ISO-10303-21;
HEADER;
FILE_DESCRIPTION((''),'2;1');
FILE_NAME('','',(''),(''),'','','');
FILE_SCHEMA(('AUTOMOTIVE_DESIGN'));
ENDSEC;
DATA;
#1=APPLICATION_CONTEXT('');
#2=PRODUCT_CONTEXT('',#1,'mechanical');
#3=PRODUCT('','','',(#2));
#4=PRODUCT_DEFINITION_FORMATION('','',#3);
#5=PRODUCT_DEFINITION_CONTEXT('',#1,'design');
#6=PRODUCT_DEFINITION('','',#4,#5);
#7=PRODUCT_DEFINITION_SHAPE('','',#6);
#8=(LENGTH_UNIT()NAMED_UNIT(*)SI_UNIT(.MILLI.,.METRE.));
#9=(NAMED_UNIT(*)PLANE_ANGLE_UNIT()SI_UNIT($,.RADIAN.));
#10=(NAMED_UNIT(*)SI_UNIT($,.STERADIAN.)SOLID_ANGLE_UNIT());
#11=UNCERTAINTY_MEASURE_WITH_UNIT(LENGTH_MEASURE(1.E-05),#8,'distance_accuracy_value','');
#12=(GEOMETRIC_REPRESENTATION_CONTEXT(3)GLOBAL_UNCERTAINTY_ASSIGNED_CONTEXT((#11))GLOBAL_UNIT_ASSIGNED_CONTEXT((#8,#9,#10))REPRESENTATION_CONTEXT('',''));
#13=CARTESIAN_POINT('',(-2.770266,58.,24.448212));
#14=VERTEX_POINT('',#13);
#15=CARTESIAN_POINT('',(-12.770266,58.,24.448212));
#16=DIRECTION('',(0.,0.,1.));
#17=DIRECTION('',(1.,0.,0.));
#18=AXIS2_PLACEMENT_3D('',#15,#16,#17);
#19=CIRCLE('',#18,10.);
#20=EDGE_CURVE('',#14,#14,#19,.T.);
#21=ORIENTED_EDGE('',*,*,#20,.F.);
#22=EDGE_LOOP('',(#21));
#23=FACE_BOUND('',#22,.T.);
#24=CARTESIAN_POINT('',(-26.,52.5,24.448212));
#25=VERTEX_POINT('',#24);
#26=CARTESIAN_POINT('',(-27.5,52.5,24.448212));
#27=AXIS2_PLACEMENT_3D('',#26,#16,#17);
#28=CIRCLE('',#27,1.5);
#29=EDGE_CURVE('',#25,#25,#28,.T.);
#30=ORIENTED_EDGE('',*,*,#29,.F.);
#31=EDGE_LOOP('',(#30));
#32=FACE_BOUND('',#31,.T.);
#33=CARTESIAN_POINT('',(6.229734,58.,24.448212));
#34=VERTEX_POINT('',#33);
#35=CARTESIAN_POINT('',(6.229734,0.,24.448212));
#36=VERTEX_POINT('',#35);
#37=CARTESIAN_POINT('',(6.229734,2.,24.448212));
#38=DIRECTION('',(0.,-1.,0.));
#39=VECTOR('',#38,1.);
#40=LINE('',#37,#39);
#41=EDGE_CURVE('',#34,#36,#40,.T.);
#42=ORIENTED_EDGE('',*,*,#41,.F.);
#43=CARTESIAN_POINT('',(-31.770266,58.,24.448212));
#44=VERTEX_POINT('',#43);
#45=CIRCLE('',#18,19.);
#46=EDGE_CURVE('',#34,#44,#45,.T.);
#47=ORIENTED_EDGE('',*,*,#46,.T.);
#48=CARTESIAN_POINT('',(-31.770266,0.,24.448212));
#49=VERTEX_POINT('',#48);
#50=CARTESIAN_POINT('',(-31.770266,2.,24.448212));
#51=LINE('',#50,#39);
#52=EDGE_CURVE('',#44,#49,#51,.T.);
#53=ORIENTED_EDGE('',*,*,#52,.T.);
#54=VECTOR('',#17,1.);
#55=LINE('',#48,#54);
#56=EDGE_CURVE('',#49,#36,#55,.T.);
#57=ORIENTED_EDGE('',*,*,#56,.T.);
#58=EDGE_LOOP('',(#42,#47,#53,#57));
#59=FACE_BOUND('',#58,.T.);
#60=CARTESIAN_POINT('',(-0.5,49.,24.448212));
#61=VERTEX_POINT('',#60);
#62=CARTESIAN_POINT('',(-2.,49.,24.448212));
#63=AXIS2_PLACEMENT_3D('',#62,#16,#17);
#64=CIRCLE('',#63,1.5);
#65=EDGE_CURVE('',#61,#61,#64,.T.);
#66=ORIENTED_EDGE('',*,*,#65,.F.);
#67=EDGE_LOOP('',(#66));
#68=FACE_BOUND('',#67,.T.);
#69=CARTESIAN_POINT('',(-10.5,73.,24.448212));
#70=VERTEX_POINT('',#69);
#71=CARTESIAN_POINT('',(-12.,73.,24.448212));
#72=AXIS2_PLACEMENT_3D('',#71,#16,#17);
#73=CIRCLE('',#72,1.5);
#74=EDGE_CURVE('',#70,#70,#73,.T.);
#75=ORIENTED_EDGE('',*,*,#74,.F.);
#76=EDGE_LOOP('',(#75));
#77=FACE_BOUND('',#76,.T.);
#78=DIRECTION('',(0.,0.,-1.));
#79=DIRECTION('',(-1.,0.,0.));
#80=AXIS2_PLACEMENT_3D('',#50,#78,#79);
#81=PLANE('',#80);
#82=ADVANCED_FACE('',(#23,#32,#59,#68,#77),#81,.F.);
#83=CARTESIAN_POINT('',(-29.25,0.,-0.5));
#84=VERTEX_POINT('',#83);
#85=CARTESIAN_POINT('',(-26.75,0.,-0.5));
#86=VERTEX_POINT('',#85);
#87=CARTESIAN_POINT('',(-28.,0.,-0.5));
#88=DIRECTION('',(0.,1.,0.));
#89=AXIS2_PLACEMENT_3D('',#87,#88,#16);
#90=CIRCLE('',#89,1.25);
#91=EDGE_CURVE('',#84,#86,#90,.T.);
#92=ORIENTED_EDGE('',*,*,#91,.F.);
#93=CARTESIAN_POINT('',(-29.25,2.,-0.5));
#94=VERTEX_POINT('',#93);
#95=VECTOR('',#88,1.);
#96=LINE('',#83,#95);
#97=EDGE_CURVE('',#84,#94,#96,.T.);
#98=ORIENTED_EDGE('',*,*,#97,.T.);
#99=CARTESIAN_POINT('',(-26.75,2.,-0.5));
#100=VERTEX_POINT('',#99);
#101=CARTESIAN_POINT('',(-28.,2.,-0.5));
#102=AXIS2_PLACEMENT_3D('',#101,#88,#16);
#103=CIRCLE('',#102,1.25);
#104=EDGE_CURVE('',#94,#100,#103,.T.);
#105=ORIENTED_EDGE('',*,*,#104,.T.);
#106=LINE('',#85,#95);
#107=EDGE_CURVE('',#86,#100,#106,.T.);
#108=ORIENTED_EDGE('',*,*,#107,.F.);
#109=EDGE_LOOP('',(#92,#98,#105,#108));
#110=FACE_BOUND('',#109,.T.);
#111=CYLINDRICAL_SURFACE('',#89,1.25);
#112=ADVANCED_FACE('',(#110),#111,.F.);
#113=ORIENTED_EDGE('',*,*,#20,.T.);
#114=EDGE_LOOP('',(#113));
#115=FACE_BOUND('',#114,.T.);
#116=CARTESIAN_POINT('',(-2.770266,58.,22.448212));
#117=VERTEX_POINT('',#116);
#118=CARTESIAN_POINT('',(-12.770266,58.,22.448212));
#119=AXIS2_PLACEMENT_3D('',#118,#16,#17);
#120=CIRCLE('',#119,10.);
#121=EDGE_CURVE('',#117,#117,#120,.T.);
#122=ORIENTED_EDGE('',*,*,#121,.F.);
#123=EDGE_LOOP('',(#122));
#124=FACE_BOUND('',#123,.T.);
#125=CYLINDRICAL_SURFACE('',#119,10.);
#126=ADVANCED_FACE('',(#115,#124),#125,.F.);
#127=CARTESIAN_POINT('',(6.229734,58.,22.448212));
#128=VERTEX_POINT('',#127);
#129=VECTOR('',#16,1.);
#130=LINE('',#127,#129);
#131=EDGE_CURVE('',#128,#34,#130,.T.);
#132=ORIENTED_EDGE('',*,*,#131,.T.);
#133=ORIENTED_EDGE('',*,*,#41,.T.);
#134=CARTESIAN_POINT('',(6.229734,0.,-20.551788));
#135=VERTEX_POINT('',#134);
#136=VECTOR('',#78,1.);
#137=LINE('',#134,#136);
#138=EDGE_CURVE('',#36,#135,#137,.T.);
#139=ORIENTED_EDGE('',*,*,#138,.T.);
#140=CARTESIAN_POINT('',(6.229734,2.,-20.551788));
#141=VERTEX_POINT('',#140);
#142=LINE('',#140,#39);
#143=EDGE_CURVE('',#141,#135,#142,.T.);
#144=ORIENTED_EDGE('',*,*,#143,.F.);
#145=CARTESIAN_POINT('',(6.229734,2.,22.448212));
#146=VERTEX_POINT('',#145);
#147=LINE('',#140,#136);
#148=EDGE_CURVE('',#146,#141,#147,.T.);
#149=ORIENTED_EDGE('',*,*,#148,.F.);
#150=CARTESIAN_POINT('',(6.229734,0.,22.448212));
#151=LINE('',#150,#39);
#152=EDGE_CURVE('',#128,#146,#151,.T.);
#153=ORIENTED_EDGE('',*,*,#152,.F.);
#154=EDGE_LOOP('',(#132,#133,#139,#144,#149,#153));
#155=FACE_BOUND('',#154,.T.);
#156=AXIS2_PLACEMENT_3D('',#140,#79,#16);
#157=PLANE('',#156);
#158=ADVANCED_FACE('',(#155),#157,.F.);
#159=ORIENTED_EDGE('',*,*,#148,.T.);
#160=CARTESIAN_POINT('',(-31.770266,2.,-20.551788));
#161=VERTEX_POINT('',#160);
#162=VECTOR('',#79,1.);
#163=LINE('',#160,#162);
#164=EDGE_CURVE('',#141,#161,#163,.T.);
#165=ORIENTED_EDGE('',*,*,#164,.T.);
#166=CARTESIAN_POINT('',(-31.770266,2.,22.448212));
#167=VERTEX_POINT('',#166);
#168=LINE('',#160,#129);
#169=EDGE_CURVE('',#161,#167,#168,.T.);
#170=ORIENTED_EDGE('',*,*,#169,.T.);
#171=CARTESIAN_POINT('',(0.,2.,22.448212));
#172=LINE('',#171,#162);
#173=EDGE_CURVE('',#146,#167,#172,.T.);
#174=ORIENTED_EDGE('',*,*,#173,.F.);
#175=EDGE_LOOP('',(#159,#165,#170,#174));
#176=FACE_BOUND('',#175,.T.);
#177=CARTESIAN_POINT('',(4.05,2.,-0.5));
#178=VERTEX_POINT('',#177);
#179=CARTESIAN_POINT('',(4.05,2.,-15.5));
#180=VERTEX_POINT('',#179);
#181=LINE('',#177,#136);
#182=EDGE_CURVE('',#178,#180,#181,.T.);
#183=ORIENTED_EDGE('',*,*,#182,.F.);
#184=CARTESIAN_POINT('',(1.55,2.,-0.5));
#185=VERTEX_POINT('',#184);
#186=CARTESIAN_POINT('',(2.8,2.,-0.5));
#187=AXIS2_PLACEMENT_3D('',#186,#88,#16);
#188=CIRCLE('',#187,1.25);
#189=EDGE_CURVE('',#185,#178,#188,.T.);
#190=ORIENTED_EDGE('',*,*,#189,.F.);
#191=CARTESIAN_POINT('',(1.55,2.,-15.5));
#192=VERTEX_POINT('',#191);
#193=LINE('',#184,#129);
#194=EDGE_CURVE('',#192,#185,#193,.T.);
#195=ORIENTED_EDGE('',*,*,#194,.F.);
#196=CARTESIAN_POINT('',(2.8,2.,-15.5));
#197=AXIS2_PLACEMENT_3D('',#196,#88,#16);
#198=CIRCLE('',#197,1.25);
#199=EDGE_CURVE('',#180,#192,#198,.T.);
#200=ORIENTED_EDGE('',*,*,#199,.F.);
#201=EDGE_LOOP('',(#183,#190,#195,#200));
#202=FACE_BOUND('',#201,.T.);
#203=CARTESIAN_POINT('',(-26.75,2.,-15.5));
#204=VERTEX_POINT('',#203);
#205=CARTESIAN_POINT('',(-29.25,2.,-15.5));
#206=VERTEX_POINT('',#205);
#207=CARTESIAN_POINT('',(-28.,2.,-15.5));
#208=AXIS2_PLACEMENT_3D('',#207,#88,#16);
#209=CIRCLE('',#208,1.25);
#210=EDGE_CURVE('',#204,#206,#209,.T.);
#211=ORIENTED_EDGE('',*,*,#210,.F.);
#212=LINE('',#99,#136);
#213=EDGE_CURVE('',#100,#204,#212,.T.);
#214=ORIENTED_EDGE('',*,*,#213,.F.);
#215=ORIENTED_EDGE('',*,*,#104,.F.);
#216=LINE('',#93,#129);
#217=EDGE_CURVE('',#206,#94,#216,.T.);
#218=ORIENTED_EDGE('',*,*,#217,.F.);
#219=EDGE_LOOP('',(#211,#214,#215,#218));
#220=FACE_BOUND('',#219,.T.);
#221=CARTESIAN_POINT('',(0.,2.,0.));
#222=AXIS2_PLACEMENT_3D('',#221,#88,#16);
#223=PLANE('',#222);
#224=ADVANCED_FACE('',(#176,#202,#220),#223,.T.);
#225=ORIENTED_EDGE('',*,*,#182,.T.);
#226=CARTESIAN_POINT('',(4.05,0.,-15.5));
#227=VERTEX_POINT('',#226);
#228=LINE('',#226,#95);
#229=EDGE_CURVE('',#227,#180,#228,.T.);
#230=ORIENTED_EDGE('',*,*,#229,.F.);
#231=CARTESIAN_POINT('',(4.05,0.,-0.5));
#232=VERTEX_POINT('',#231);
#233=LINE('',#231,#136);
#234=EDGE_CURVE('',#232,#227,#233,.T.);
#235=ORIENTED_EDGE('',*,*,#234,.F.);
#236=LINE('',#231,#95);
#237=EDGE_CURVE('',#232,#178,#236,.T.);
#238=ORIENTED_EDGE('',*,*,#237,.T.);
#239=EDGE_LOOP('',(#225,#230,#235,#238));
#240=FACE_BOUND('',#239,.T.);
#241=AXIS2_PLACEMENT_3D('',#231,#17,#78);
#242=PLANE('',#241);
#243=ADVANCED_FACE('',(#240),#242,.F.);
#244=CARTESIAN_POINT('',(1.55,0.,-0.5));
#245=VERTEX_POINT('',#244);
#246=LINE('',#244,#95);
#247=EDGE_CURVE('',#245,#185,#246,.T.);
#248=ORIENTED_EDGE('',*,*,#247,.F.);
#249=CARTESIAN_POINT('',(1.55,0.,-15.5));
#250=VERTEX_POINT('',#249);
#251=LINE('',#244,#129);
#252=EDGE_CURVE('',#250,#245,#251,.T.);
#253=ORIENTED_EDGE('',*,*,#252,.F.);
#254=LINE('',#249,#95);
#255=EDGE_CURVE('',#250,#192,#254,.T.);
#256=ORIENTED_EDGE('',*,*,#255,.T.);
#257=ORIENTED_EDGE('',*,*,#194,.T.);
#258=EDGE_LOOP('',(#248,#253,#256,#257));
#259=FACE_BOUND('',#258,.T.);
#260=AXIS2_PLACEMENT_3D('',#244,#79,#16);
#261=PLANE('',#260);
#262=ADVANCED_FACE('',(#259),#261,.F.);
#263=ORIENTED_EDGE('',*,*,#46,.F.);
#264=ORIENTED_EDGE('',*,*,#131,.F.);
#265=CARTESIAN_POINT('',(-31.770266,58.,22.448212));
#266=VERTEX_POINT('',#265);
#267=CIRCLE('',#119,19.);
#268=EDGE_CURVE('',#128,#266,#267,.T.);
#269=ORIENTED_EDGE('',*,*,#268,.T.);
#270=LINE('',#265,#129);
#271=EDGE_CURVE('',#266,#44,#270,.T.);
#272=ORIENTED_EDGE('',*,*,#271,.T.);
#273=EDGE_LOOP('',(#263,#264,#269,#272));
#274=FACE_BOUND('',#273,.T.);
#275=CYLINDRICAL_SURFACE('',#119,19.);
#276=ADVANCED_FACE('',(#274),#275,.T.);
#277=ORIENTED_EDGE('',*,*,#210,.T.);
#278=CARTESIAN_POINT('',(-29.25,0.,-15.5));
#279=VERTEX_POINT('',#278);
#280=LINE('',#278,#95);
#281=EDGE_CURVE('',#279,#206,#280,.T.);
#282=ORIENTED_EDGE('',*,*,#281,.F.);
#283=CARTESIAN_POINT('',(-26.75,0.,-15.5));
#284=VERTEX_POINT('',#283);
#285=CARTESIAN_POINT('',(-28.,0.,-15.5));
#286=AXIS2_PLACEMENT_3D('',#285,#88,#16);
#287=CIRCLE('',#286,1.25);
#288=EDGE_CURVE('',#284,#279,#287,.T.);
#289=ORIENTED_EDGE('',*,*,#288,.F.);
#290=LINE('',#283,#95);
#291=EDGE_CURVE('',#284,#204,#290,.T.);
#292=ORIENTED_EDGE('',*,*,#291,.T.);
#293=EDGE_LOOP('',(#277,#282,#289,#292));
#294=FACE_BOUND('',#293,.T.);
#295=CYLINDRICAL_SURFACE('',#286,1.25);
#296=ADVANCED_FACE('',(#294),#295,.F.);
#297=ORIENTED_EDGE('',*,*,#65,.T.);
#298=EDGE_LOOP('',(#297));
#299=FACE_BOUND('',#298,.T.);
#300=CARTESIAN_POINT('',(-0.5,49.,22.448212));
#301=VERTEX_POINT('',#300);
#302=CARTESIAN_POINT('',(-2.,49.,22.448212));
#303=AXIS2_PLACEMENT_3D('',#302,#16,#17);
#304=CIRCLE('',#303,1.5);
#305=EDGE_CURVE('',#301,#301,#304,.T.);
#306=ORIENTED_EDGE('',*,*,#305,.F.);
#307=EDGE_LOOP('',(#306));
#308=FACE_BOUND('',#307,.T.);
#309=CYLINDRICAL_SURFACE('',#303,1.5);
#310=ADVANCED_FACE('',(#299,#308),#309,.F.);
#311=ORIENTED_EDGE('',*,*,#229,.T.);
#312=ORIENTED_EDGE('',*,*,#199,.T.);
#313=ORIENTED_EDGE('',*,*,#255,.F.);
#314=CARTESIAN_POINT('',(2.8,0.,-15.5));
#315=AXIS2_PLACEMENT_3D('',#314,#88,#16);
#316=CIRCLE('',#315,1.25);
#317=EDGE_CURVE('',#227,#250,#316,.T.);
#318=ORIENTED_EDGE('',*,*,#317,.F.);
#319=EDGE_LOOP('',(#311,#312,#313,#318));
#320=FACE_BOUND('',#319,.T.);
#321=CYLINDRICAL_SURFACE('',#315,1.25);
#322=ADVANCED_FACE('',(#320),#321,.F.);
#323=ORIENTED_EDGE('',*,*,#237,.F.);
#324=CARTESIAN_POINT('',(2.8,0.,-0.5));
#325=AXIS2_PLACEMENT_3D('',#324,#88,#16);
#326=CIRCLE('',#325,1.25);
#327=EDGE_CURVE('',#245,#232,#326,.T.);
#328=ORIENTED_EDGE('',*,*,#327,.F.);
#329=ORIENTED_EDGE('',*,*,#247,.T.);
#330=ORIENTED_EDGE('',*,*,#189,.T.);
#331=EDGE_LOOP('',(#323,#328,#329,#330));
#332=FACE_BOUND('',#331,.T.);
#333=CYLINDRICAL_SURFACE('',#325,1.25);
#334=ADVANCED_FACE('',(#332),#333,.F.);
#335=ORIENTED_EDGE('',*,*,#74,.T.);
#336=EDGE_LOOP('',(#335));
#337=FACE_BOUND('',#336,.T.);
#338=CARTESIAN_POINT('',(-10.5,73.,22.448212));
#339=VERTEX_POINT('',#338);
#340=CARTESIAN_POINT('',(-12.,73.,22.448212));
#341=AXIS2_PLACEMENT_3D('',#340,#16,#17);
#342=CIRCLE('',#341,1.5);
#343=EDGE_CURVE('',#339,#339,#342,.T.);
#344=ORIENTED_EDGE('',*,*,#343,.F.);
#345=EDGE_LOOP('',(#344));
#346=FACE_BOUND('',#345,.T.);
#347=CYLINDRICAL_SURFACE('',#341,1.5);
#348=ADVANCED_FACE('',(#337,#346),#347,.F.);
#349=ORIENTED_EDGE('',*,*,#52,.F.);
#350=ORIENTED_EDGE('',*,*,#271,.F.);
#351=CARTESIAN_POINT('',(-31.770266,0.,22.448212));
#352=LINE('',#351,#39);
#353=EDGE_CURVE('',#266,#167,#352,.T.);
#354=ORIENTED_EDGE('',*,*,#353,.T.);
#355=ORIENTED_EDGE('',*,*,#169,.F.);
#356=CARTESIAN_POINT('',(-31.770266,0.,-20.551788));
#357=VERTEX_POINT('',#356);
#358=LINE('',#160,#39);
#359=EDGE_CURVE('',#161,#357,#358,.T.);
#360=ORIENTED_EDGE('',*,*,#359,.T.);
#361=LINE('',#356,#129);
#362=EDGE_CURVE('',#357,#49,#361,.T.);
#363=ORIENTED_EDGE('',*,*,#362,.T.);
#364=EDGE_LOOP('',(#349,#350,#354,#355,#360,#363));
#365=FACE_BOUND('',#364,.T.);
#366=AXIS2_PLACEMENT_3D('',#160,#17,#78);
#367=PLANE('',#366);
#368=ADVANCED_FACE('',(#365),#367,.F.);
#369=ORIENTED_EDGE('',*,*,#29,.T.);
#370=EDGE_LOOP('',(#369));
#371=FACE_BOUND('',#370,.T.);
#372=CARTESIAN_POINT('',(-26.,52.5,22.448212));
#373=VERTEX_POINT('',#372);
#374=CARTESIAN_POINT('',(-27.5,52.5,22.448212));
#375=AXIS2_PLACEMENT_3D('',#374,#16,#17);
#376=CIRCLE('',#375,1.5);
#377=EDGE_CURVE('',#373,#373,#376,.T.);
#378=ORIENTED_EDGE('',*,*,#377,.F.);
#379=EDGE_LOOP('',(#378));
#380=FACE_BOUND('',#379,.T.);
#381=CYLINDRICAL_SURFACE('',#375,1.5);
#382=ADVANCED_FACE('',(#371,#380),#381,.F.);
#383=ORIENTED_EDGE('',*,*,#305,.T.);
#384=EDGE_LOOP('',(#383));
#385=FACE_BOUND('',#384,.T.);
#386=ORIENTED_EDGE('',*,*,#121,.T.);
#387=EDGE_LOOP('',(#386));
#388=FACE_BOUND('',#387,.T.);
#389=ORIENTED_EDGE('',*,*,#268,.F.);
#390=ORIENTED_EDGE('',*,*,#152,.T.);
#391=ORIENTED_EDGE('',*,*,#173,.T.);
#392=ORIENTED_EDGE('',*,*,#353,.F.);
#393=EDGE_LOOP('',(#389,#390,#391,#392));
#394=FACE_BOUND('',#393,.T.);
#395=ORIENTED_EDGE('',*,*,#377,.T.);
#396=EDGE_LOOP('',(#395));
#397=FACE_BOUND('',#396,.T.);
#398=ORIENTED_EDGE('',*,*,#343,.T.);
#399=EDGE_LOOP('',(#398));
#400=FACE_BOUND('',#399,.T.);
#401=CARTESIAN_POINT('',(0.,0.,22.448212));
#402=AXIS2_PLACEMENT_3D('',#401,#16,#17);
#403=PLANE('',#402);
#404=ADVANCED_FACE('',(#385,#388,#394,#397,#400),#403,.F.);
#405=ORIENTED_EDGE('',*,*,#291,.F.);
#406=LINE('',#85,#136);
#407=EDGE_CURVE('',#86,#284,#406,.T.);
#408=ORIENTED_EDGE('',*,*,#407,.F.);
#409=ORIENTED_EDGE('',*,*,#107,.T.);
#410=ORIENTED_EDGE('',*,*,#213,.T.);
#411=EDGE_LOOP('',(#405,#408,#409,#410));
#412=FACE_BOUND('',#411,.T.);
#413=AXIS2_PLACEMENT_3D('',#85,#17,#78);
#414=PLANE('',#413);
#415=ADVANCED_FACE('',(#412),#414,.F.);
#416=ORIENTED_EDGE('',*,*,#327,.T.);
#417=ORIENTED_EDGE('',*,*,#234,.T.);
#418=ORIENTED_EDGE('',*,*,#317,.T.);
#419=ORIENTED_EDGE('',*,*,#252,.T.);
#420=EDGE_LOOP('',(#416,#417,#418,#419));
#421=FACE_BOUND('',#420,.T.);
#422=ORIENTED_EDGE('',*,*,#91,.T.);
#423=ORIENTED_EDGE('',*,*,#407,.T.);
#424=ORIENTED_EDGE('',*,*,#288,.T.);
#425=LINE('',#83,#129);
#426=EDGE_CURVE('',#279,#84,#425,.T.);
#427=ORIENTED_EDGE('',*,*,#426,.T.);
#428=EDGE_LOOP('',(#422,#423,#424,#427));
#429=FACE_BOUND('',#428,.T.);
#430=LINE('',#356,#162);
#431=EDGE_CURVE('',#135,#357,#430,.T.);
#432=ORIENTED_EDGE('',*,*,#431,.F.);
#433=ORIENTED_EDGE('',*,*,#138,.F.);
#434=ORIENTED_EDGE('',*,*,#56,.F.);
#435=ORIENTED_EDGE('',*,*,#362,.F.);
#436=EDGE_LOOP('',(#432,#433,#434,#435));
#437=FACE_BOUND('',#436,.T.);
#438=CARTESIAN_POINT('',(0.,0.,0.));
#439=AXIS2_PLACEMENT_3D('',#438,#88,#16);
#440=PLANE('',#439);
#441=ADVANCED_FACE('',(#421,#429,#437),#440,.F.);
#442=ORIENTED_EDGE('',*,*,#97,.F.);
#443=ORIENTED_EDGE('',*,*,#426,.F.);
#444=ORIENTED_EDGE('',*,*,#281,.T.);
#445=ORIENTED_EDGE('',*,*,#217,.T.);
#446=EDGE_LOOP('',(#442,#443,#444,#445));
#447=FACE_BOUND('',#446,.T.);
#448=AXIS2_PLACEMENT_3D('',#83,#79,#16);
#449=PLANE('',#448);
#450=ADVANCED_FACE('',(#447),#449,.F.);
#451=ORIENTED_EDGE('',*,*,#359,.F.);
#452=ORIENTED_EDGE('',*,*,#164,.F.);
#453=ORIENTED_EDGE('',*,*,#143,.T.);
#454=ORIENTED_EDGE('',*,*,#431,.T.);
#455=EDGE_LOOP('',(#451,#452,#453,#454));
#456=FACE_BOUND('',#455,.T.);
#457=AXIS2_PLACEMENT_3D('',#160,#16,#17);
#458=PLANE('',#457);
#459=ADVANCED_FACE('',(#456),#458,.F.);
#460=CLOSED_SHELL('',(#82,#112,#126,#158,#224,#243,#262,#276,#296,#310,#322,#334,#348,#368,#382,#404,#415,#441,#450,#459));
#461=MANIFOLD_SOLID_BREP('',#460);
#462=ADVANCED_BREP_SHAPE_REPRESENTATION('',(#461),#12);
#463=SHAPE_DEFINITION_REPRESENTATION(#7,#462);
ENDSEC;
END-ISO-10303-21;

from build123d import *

# Parameters (mm, degrees)
SKETCH1_W           = 38
SKETCH1_H           = 45
BOSS_EXTRUDE1_DEPTH = 2
SKETCH3_R           = 19
SKETCH3_R_2         = 10
BOSS_EXTRUDE2_DEPTH = 2
BOSS_EXTRUDE3_DEPTH = 2
CUT_EXTRUDE1_DEPTH  = 2
SKETCH6_R           = 1.5
CUT_EXTRUDE2_DEPTH  = 2


with BuildPart() as part:
    # Sketch1 → Boss-Extrude1 (new body)
    with BuildSketch(Plane(origin=(0, 0, 0), x_dir=(1, 0, 0), z_dir=(0, 1, 0))):
        with Locations((-12.77026585, -1.948212393)):
            Rectangle(SKETCH1_W, SKETCH1_H)
    extrude(amount=BOSS_EXTRUDE1_DEPTH)



with BuildPart() as body_2:
    # Sketch3 → Boss-Extrude2 (new body)
    with BuildSketch(Plane.XY.offset(24.448212393)):
        with Locations((-12.77026585, 58)):
            Circle(SKETCH3_R)
        with Locations((-12.77026585, 58)):
            Circle(SKETCH3_R_2, mode=Mode.SUBTRACT)
    extrude(amount=-BOSS_EXTRUDE2_DEPTH)


with BuildPart() as part_1:
    add(part.part)

    add(body_2.part)  # Boss-Extrude3 merges body 2
    # Sketch3<4> → Boss-Extrude3 (add)
    with BuildSketch(Plane.XY.offset(24.448212393)):
        with BuildLine():
            Line((-31.77026585, 2), (6.22973415, 2))
            Line((6.22973415, 2), (6.22973415, 58))
            ThreePointArc((6.22973415, 58), (-12.77026585, 39), (-31.77026585, 58))
            Line((-31.77026585, 58), (-31.77026585, 2))
        make_face()
    extrude(amount=-BOSS_EXTRUDE3_DEPTH)

    # Sketch4 → Cut-Extrude1 (cut)
    with BuildSketch(Plane(origin=(0, 2, 0), x_dir=(1, 0, 0), z_dir=(0, 1, 0))):
        with BuildLine():
            Line((1.55, 0.5), (1.55, 15.5))
            ThreePointArc((1.55, 15.5), (2.8, 16.75), (4.05, 15.5))
            Line((4.05, 15.5), (4.05, 0.5))
            ThreePointArc((4.05, 0.5), (2.8, -0.75), (1.55, 0.5))
        make_face()
        with BuildLine():
            Line((-29.25, 0.5), (-29.25, 15.5))
            ThreePointArc((-29.25, 15.5), (-28, 16.75), (-26.75, 15.5))
            Line((-26.75, 15.5), (-26.75, 0.5))
            ThreePointArc((-26.75, 0.5), (-28, -0.75), (-29.25, 0.5))
        make_face()
    extrude(amount=-CUT_EXTRUDE1_DEPTH, mode=Mode.SUBTRACT)

    # Sketch6 → Cut-Extrude2 (cut)
    with BuildSketch(Plane.XY.offset(24.448212393)):
        with Locations((-12, 73)):
            Circle(SKETCH6_R)
        with Locations((-2, 49)):
            Circle(SKETCH6_R)
        with Locations((-27.5, 52.5)):
            Circle(SKETCH6_R)
    extrude(amount=-CUT_EXTRUDE2_DEPTH, mode=Mode.SUBTRACT)


solid = part_1.part
